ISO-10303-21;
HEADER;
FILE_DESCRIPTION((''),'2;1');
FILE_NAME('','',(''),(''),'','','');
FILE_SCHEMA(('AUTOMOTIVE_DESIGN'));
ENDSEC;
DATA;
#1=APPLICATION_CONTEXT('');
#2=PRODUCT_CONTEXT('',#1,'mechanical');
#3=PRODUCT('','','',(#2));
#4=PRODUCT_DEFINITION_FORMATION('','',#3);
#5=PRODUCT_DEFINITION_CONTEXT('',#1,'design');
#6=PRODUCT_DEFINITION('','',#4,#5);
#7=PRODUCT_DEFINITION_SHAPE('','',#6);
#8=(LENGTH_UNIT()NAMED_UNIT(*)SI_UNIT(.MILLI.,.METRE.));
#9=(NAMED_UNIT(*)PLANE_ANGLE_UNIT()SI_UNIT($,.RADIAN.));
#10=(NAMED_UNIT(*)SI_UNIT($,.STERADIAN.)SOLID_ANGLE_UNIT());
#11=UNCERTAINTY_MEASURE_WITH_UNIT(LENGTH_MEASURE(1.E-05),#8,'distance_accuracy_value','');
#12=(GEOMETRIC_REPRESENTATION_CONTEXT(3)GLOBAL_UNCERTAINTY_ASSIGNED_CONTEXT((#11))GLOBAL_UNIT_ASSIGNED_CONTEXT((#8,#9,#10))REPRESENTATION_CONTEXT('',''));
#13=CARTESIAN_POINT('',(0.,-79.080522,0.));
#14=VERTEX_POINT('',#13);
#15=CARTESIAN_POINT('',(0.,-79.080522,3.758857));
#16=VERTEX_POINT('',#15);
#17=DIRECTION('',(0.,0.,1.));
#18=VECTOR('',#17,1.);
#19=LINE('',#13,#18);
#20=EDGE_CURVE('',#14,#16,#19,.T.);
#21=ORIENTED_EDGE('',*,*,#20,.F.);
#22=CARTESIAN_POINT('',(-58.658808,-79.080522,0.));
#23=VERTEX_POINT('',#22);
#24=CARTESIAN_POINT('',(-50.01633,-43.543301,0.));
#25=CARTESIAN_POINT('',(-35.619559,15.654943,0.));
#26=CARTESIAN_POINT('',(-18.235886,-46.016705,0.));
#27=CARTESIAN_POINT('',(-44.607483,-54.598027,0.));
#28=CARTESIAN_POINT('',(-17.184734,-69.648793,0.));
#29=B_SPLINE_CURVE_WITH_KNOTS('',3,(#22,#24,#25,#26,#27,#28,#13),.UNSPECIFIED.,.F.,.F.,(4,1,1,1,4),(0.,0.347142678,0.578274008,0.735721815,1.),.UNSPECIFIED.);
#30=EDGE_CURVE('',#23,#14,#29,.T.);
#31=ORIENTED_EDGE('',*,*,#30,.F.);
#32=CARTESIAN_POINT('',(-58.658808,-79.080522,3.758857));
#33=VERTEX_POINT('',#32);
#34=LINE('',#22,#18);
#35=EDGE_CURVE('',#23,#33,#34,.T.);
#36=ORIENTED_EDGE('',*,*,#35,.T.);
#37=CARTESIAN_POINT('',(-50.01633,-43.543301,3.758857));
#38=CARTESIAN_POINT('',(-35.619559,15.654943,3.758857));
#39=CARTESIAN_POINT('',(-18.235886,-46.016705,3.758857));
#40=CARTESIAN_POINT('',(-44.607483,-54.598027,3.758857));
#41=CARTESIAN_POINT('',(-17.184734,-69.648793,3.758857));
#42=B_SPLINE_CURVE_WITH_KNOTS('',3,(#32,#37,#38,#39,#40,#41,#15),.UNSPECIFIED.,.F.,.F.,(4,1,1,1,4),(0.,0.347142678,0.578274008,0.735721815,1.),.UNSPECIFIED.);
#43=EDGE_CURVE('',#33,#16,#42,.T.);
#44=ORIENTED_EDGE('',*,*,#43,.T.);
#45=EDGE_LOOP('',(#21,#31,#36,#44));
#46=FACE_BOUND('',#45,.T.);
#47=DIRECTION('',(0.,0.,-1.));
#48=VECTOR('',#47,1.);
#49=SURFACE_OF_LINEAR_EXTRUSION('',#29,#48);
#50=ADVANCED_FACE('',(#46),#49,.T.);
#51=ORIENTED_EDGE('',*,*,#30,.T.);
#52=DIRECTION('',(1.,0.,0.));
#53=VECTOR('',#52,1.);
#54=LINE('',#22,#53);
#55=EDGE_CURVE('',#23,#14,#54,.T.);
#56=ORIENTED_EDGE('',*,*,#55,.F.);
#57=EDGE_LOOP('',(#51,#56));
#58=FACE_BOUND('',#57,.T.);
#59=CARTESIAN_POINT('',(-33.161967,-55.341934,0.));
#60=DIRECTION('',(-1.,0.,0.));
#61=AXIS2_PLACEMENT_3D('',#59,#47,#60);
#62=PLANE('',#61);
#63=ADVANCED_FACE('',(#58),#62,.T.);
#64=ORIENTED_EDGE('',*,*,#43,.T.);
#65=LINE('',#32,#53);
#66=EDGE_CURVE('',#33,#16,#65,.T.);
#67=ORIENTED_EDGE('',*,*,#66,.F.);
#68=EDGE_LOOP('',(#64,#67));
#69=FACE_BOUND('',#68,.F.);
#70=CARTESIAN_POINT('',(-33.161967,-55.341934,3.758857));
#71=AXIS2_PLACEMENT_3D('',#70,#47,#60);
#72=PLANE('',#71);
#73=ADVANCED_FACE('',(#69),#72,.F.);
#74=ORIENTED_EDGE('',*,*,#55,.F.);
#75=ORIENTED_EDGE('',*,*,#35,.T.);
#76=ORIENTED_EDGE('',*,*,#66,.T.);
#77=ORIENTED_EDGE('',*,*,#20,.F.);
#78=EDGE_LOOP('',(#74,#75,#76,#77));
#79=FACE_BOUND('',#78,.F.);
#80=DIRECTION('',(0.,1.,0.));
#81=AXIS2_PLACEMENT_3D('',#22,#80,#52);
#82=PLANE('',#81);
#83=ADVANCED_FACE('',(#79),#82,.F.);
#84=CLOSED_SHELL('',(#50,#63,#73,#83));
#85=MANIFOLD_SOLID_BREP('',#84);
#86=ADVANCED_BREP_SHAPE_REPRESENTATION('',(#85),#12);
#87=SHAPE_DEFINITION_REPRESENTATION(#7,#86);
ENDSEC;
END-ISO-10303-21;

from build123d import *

# Parameters (mm, degrees)
F1_DEPTH = 3.7588570267


with BuildPart() as f1:
    # F0 (on Top) → F1 (new body)
    with BuildSketch(Plane.XY):
        with BuildLine():
            add(Edge.make_bspline(
                [(-58.6588084698, -79.0805220604), (-50.0163302851, -43.5433006445), (-35.6195593285, 15.6549429479), (-18.2358860421, -46.0167045308), (-44.6074831219, -54.598027232), (-17.1847340998, -69.6487933906), (0, -79.0805220604)],
                knots=[0, 0, 0, 0, 0.3471426777, 0.5782740082, 0.7357218147, 1, 1, 1, 1], degree=3))
            Line((-58.6588084698, -79.0805220604), (0, -79.0805220604))
        make_face()
    extrude(amount=F1_DEPTH)


solid = f1.part
